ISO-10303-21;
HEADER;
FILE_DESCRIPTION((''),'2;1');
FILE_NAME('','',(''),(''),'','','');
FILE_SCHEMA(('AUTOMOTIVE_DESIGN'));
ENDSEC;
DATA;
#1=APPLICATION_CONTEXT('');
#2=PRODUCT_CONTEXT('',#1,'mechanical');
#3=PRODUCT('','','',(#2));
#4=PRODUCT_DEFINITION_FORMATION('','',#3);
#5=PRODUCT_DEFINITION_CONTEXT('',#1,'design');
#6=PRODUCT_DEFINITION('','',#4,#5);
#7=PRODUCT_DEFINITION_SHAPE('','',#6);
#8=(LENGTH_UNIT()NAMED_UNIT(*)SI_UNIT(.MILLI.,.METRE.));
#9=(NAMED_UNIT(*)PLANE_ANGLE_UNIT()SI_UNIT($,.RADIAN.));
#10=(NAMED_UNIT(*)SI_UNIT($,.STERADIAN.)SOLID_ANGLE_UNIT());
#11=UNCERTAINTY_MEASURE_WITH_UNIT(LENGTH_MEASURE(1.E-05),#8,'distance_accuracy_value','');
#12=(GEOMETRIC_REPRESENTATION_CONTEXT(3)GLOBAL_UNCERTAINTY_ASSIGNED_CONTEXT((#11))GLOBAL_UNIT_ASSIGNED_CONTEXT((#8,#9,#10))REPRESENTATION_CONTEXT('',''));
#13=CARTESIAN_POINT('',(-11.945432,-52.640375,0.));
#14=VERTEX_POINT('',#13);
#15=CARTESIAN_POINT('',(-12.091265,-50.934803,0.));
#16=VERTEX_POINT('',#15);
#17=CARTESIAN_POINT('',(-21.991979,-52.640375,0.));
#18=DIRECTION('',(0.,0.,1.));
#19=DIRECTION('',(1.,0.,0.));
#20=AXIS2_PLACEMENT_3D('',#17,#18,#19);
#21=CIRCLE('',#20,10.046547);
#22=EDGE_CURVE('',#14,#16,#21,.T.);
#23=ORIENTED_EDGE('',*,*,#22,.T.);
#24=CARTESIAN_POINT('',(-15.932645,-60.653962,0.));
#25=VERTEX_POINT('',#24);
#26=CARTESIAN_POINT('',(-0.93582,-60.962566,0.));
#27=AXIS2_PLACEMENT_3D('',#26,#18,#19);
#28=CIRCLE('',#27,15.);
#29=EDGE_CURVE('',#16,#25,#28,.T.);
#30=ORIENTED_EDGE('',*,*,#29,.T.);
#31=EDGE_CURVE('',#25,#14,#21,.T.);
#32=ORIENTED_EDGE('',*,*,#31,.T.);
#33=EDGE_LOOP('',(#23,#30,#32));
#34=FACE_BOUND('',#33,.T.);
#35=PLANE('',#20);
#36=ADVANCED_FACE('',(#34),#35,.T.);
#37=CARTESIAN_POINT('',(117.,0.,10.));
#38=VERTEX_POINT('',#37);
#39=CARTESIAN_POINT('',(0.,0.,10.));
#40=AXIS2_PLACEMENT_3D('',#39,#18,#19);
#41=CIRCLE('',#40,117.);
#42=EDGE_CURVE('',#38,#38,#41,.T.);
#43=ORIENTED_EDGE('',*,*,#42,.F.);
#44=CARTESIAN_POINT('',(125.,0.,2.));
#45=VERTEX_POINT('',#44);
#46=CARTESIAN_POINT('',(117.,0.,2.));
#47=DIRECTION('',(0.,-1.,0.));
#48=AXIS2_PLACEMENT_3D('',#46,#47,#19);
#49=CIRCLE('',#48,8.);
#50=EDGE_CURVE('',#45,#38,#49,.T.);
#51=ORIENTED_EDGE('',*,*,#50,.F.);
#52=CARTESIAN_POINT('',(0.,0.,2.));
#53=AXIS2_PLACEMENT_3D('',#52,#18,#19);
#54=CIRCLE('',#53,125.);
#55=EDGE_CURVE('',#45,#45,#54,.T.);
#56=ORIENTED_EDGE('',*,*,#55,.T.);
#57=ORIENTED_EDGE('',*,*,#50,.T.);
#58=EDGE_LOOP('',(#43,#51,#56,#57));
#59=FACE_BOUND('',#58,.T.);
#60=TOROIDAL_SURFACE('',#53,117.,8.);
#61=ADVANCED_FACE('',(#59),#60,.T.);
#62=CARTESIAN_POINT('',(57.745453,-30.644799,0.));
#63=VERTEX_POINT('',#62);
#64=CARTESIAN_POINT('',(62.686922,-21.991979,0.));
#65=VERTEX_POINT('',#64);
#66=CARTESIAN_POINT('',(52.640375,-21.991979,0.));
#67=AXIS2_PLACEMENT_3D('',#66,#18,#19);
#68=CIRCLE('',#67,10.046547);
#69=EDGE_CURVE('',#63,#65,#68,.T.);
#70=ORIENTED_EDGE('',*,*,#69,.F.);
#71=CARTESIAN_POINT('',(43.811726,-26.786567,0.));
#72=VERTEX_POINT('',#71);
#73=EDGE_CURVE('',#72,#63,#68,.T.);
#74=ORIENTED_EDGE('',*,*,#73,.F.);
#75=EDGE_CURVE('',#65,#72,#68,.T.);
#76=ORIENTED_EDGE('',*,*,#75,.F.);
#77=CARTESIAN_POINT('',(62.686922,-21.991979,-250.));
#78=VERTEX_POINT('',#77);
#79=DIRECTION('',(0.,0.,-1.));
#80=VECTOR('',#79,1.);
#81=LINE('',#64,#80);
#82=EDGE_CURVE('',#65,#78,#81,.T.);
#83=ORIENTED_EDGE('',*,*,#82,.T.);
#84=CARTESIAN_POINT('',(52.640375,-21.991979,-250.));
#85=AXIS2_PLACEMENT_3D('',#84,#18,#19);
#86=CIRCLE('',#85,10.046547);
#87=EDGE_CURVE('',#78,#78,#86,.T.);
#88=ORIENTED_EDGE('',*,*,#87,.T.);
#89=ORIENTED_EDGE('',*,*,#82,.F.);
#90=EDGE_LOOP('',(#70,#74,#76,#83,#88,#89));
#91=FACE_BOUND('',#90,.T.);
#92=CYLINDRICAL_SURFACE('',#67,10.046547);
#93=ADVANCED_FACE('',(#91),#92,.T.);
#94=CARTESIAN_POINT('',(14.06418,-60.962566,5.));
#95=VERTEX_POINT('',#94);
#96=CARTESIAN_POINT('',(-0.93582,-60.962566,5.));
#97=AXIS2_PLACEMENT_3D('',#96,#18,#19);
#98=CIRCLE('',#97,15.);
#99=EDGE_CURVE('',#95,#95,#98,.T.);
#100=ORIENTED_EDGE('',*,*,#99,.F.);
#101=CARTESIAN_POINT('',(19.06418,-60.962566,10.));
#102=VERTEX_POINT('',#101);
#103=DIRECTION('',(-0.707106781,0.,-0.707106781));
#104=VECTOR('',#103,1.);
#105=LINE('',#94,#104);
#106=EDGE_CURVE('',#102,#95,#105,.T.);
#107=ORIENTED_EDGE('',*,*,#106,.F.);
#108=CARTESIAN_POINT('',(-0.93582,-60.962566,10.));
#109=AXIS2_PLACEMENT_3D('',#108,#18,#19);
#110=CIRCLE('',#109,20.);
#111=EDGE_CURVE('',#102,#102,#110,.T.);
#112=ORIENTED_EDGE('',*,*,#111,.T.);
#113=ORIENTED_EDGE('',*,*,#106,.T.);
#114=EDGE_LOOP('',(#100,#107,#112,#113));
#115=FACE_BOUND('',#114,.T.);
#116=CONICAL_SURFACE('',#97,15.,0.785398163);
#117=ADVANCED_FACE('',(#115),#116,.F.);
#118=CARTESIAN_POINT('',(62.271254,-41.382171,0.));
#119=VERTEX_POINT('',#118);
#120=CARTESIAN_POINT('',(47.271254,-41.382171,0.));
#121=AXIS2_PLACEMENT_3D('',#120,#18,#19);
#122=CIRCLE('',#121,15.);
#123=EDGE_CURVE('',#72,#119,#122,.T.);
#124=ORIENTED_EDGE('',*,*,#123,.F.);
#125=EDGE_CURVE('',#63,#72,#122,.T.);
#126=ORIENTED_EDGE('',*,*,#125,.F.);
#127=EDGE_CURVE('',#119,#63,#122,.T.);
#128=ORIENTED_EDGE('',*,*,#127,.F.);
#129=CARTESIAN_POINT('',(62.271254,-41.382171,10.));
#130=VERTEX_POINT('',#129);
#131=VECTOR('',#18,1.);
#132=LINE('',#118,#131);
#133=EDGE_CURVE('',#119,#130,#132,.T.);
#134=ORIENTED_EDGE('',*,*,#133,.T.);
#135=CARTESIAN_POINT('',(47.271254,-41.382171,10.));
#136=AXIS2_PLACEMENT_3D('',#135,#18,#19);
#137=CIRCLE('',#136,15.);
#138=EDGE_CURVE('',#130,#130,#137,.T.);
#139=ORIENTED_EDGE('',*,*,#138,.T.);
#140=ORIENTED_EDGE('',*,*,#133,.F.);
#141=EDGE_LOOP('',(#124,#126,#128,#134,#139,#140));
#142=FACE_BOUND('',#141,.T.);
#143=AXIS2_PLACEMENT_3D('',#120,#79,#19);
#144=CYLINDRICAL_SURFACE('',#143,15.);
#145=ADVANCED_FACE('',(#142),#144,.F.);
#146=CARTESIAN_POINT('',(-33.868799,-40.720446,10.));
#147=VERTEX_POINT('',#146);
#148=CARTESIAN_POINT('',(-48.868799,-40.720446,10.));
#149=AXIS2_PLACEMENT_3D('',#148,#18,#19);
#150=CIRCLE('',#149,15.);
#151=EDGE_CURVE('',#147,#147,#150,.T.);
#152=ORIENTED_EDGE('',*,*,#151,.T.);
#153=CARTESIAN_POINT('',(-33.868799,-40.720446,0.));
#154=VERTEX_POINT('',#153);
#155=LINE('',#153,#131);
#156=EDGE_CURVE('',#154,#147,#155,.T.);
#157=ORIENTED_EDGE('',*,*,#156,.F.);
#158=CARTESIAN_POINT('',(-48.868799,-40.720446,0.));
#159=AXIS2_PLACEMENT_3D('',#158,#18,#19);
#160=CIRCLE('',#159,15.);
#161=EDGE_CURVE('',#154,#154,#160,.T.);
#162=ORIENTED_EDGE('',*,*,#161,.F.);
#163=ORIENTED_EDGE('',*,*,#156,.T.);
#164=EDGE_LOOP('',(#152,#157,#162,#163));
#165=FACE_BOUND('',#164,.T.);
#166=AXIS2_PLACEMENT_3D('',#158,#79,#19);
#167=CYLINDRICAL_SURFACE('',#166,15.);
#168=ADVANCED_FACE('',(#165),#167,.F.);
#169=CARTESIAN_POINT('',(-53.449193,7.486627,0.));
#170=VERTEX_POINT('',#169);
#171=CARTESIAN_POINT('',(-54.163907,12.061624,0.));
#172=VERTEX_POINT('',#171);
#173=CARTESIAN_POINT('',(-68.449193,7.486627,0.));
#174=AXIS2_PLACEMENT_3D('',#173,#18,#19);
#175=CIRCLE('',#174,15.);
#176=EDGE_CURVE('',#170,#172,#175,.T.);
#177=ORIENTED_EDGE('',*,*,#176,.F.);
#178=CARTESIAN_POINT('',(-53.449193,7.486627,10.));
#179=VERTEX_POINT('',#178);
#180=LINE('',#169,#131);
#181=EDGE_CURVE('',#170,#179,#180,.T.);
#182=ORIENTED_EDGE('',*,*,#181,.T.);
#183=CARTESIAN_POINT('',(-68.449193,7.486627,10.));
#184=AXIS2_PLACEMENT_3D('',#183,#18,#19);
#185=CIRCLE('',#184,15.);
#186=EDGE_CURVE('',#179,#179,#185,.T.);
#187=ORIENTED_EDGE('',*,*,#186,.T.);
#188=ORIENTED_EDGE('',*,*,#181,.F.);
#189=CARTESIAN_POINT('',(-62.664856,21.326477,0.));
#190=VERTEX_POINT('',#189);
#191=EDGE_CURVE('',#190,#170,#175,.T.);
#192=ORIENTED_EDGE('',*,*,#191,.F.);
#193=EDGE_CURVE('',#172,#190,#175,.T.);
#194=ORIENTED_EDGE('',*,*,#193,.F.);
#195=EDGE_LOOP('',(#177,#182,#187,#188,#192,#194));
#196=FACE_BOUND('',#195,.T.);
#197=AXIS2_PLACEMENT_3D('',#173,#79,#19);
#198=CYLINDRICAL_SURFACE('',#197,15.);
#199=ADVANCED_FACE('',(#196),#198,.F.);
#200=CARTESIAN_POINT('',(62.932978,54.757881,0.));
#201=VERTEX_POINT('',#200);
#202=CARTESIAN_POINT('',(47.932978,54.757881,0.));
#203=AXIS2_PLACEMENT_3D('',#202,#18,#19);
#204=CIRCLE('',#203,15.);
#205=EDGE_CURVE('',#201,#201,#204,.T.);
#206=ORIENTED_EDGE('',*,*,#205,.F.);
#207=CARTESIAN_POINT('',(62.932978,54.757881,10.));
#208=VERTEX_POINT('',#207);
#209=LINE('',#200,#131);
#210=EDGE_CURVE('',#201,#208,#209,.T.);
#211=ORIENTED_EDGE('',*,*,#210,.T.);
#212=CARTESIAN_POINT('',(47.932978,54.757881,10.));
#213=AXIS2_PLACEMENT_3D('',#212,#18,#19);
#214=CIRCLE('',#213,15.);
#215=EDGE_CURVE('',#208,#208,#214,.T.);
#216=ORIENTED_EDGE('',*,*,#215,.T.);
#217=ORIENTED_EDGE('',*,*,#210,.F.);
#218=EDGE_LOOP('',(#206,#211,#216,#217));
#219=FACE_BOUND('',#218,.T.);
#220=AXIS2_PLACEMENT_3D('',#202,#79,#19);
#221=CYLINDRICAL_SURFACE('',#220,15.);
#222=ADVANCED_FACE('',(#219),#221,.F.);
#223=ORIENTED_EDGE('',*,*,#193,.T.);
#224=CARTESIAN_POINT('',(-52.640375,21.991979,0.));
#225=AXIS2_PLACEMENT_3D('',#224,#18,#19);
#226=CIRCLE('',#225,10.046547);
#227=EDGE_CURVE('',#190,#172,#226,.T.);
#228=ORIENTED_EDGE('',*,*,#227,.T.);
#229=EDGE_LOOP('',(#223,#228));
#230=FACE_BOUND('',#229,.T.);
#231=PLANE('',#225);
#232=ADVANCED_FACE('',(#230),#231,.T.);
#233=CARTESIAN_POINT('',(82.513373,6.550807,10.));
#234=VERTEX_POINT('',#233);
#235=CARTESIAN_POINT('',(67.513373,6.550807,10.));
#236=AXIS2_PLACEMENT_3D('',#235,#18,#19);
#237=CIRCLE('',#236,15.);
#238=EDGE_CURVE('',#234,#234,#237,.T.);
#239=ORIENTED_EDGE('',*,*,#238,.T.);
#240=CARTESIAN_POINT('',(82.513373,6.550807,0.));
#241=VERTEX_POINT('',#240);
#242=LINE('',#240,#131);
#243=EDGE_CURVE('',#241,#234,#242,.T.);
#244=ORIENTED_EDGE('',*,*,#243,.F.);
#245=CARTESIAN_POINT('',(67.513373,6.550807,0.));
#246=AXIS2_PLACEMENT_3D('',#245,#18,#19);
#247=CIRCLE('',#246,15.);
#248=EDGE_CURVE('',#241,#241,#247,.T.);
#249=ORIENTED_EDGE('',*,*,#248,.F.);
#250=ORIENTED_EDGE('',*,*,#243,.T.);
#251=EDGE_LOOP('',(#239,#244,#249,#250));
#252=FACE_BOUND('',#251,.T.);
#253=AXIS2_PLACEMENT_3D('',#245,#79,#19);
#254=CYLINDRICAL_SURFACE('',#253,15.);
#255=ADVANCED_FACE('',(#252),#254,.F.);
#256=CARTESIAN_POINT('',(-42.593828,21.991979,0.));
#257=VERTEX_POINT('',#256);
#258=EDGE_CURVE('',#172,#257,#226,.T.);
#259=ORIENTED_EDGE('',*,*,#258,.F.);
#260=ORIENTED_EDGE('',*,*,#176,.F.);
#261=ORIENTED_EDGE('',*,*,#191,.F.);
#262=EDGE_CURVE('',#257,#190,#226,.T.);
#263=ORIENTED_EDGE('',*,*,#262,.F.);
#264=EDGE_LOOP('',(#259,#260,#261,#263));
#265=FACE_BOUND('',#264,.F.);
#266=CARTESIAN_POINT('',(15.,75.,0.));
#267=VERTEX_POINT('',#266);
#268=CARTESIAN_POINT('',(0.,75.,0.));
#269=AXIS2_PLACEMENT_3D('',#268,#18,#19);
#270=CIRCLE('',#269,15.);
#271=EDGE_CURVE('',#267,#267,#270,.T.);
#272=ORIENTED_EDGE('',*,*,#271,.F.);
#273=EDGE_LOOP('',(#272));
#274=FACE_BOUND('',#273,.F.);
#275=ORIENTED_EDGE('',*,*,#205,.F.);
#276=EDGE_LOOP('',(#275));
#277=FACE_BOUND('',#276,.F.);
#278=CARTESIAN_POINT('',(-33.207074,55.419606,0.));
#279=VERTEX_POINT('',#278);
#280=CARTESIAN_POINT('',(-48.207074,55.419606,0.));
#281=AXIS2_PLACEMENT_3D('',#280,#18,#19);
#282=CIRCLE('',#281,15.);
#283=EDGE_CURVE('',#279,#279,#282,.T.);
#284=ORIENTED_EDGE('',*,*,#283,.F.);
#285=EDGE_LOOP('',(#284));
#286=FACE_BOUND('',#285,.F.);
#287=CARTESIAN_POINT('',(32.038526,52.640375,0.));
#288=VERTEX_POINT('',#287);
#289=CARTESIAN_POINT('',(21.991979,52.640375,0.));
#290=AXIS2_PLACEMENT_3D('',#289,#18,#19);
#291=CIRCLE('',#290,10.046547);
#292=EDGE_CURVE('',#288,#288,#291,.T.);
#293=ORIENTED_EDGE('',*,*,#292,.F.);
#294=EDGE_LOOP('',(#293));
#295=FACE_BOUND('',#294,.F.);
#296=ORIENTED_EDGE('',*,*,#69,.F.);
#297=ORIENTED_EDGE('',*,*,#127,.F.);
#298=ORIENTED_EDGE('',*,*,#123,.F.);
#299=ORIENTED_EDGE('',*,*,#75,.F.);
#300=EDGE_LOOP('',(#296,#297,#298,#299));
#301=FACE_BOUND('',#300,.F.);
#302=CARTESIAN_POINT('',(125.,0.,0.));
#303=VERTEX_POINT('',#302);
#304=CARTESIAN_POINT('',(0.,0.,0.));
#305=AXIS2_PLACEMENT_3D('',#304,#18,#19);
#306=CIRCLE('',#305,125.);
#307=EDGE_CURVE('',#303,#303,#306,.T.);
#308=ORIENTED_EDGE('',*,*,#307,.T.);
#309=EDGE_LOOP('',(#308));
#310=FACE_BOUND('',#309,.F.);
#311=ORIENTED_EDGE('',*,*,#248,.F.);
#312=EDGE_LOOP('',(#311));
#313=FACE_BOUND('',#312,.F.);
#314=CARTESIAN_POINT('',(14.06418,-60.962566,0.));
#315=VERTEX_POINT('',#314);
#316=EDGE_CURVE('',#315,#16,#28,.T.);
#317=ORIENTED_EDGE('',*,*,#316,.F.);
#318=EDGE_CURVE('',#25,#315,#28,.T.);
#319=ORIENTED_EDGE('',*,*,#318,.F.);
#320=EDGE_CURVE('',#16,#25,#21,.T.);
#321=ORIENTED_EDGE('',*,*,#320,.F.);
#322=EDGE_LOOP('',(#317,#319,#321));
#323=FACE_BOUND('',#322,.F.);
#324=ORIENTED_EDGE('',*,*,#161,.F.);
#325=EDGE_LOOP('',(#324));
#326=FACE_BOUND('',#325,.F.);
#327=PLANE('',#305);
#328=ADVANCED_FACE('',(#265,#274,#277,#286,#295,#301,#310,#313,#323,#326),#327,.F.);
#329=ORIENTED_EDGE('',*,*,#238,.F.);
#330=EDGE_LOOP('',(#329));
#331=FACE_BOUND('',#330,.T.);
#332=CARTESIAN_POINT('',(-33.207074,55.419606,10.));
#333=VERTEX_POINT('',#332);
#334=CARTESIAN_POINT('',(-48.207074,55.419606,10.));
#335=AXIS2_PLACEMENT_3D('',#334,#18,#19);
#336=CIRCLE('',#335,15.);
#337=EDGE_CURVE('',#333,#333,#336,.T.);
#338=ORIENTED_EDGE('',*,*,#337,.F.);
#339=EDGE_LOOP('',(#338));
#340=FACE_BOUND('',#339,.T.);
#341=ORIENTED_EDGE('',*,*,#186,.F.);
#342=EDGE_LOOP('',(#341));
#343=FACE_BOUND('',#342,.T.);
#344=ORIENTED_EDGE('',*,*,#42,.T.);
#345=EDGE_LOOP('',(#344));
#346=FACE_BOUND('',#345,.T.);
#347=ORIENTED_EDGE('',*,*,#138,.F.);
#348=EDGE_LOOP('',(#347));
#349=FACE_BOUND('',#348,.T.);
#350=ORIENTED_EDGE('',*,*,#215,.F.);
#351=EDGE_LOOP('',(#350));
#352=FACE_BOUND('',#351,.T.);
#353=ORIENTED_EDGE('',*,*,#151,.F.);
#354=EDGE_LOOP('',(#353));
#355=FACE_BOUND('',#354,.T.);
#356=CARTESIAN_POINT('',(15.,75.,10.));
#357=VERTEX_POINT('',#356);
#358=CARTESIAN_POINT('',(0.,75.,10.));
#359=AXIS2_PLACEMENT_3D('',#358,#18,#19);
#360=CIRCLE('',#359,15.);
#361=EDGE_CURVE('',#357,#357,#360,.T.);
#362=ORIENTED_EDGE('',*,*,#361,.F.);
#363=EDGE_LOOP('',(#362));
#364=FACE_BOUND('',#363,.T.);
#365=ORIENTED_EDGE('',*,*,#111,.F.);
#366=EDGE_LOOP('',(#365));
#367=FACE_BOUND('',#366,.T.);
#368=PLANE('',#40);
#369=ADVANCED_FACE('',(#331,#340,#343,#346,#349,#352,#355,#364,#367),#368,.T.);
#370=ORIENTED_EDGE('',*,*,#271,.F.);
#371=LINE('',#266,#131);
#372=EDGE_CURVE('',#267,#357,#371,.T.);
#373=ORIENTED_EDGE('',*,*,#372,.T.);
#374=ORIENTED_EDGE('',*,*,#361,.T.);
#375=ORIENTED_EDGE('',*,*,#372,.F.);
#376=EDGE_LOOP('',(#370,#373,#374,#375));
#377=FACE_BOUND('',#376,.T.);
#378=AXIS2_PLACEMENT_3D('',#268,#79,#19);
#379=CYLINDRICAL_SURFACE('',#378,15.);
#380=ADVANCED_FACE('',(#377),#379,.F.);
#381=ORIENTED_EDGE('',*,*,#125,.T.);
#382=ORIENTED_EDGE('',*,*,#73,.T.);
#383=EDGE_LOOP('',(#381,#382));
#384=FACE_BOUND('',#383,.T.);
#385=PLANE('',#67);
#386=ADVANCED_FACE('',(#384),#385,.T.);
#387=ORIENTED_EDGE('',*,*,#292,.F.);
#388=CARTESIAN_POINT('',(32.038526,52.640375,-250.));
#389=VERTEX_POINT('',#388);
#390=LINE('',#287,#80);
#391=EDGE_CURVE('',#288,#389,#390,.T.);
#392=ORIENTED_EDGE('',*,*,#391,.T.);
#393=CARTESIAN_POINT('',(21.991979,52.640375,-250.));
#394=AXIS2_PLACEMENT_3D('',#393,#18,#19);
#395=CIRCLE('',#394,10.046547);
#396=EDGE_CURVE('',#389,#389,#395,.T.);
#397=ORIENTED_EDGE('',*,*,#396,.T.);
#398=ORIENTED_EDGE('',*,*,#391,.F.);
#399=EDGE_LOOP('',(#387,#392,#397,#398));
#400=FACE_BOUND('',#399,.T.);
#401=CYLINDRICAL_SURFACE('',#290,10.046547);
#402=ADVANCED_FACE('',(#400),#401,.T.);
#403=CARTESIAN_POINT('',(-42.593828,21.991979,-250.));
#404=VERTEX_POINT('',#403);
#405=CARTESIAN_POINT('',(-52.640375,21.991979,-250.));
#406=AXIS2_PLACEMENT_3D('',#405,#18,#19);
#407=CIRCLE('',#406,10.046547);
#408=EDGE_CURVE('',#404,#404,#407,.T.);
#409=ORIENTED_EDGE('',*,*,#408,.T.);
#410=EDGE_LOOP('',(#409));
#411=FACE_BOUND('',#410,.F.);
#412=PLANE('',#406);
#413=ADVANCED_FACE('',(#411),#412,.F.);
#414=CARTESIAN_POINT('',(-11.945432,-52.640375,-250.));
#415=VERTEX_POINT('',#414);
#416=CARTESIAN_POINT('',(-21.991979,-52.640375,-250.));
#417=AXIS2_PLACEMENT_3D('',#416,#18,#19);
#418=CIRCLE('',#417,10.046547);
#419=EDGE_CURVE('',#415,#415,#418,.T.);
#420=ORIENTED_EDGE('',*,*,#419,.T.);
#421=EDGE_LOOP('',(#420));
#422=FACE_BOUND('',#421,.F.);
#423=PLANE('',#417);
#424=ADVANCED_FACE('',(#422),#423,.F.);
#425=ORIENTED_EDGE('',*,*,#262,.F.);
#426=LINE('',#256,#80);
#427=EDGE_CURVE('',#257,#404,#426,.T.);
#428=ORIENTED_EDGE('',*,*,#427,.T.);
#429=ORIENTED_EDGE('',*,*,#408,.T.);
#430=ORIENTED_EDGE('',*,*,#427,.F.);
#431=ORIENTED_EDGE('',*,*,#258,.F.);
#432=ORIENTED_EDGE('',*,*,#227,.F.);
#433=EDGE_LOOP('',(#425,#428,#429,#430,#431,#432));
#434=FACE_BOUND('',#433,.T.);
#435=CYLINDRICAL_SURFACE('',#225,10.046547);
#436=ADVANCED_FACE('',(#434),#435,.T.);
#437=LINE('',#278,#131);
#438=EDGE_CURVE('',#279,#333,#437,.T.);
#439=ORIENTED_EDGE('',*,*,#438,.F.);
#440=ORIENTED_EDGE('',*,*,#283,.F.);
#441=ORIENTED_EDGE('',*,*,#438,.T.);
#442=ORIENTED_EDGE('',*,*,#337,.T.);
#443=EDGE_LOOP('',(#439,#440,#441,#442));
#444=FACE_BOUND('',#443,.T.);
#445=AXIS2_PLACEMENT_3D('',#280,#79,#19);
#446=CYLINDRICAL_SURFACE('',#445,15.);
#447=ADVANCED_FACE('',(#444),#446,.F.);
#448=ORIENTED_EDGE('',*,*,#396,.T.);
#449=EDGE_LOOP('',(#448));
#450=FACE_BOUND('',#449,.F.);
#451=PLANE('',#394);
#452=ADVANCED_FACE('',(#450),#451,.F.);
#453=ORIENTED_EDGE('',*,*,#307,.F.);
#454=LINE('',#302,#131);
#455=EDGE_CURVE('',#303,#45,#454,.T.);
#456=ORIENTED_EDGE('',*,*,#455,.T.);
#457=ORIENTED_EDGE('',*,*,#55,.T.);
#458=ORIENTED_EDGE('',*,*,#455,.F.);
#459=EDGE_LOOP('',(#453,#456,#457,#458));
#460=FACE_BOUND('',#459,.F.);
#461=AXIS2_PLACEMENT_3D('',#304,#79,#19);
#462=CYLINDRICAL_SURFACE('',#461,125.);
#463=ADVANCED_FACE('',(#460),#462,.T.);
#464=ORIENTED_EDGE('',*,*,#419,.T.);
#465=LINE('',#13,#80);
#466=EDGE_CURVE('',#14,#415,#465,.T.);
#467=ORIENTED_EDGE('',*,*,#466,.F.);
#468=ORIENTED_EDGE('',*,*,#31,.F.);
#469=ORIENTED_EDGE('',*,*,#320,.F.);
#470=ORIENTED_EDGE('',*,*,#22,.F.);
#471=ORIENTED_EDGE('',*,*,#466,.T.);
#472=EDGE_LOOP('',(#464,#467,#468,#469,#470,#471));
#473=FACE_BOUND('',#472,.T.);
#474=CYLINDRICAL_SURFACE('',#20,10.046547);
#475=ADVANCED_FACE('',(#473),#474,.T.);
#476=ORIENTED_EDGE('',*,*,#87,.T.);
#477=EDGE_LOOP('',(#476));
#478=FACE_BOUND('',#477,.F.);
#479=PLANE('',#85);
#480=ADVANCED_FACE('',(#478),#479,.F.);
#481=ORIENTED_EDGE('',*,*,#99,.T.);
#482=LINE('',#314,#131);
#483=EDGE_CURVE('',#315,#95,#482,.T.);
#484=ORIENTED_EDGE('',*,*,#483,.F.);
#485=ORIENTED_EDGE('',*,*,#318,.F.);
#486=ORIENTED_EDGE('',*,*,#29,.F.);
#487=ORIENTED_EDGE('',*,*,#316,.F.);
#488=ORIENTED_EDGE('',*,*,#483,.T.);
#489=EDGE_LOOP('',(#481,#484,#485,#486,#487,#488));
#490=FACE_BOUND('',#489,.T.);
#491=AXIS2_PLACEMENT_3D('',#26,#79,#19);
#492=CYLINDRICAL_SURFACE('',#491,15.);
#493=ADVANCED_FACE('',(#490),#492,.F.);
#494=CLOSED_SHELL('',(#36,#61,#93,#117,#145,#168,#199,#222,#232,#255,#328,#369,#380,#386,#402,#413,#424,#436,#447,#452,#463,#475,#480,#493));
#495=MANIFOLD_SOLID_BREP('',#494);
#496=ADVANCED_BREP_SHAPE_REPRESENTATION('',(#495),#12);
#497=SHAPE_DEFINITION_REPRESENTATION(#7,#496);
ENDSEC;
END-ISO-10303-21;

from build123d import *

# Parameters (mm, degrees)
F1_R     = 125
F1_R_2   = 15
F2_DEPTH = 10
F3_R     = 8
F4_SIZE  = 5
F5_R     = 10.046547
F6_DEPTH = 250
F7_DEPTH = 250


with BuildPart() as f2:
    # F1 (on face) → F2 (new body)
    with BuildSketch(Plane.XY):
        Circle(F1_R)
        with Locations((-48.868799, -40.720446)):
            Circle(F1_R_2, mode=Mode.SUBTRACT)
        with Locations((-0.93582, -60.962566)):
            Circle(F1_R_2, mode=Mode.SUBTRACT)
        with Locations((47.271254, -41.382171)):
            Circle(F1_R_2, mode=Mode.SUBTRACT)
        with Locations((-68.449193, 7.486627)):
            Circle(F1_R_2, mode=Mode.SUBTRACT)
        with Locations((-48.207074, 55.419606)):
            Circle(F1_R_2, mode=Mode.SUBTRACT)
        with Locations((47.932978, 54.757881)):
            Circle(F1_R_2, mode=Mode.SUBTRACT)
        with Locations((67.513373, 6.550807)):
            Circle(F1_R_2, mode=Mode.SUBTRACT)
        with Locations((0, 75)):
            Circle(F1_R_2, mode=Mode.SUBTRACT)
    extrude(amount=F2_DEPTH)

    # F3
    f3_edges = [f2.edges().sort_by_distance(p)[0] for p in [
        (-125, 0, 10),
    ]]
    fillet(f3_edges, radius=F3_R)

    # F4
    f4_edges = [f2.edges().sort_by_distance(p)[0] for p in [
        (-15.93582, -60.962566, 10),
    ]]
    chamfer(f4_edges, length=F4_SIZE)

    # F5 (on face) → F6 (join)
    with BuildSketch(Plane.XY):
        with Locations((52.640375, -21.991979)):
            Circle(F5_R)
    extrude(amount=-F6_DEPTH)

    # F5 (on face) → F7 (join)
    with BuildSketch(Plane.XY):
        with Locations((-21.991979, -52.640375)):
            Circle(F5_R)
        with Locations((52.640375, -21.991979)):
            Circle(F5_R)
        with Locations((21.991979, 52.640375)):
            Circle(F5_R)
        with Locations((-52.640375, 21.991979)):
            Circle(F5_R)
    extrude(amount=-F7_DEPTH)


solid = f2.part
